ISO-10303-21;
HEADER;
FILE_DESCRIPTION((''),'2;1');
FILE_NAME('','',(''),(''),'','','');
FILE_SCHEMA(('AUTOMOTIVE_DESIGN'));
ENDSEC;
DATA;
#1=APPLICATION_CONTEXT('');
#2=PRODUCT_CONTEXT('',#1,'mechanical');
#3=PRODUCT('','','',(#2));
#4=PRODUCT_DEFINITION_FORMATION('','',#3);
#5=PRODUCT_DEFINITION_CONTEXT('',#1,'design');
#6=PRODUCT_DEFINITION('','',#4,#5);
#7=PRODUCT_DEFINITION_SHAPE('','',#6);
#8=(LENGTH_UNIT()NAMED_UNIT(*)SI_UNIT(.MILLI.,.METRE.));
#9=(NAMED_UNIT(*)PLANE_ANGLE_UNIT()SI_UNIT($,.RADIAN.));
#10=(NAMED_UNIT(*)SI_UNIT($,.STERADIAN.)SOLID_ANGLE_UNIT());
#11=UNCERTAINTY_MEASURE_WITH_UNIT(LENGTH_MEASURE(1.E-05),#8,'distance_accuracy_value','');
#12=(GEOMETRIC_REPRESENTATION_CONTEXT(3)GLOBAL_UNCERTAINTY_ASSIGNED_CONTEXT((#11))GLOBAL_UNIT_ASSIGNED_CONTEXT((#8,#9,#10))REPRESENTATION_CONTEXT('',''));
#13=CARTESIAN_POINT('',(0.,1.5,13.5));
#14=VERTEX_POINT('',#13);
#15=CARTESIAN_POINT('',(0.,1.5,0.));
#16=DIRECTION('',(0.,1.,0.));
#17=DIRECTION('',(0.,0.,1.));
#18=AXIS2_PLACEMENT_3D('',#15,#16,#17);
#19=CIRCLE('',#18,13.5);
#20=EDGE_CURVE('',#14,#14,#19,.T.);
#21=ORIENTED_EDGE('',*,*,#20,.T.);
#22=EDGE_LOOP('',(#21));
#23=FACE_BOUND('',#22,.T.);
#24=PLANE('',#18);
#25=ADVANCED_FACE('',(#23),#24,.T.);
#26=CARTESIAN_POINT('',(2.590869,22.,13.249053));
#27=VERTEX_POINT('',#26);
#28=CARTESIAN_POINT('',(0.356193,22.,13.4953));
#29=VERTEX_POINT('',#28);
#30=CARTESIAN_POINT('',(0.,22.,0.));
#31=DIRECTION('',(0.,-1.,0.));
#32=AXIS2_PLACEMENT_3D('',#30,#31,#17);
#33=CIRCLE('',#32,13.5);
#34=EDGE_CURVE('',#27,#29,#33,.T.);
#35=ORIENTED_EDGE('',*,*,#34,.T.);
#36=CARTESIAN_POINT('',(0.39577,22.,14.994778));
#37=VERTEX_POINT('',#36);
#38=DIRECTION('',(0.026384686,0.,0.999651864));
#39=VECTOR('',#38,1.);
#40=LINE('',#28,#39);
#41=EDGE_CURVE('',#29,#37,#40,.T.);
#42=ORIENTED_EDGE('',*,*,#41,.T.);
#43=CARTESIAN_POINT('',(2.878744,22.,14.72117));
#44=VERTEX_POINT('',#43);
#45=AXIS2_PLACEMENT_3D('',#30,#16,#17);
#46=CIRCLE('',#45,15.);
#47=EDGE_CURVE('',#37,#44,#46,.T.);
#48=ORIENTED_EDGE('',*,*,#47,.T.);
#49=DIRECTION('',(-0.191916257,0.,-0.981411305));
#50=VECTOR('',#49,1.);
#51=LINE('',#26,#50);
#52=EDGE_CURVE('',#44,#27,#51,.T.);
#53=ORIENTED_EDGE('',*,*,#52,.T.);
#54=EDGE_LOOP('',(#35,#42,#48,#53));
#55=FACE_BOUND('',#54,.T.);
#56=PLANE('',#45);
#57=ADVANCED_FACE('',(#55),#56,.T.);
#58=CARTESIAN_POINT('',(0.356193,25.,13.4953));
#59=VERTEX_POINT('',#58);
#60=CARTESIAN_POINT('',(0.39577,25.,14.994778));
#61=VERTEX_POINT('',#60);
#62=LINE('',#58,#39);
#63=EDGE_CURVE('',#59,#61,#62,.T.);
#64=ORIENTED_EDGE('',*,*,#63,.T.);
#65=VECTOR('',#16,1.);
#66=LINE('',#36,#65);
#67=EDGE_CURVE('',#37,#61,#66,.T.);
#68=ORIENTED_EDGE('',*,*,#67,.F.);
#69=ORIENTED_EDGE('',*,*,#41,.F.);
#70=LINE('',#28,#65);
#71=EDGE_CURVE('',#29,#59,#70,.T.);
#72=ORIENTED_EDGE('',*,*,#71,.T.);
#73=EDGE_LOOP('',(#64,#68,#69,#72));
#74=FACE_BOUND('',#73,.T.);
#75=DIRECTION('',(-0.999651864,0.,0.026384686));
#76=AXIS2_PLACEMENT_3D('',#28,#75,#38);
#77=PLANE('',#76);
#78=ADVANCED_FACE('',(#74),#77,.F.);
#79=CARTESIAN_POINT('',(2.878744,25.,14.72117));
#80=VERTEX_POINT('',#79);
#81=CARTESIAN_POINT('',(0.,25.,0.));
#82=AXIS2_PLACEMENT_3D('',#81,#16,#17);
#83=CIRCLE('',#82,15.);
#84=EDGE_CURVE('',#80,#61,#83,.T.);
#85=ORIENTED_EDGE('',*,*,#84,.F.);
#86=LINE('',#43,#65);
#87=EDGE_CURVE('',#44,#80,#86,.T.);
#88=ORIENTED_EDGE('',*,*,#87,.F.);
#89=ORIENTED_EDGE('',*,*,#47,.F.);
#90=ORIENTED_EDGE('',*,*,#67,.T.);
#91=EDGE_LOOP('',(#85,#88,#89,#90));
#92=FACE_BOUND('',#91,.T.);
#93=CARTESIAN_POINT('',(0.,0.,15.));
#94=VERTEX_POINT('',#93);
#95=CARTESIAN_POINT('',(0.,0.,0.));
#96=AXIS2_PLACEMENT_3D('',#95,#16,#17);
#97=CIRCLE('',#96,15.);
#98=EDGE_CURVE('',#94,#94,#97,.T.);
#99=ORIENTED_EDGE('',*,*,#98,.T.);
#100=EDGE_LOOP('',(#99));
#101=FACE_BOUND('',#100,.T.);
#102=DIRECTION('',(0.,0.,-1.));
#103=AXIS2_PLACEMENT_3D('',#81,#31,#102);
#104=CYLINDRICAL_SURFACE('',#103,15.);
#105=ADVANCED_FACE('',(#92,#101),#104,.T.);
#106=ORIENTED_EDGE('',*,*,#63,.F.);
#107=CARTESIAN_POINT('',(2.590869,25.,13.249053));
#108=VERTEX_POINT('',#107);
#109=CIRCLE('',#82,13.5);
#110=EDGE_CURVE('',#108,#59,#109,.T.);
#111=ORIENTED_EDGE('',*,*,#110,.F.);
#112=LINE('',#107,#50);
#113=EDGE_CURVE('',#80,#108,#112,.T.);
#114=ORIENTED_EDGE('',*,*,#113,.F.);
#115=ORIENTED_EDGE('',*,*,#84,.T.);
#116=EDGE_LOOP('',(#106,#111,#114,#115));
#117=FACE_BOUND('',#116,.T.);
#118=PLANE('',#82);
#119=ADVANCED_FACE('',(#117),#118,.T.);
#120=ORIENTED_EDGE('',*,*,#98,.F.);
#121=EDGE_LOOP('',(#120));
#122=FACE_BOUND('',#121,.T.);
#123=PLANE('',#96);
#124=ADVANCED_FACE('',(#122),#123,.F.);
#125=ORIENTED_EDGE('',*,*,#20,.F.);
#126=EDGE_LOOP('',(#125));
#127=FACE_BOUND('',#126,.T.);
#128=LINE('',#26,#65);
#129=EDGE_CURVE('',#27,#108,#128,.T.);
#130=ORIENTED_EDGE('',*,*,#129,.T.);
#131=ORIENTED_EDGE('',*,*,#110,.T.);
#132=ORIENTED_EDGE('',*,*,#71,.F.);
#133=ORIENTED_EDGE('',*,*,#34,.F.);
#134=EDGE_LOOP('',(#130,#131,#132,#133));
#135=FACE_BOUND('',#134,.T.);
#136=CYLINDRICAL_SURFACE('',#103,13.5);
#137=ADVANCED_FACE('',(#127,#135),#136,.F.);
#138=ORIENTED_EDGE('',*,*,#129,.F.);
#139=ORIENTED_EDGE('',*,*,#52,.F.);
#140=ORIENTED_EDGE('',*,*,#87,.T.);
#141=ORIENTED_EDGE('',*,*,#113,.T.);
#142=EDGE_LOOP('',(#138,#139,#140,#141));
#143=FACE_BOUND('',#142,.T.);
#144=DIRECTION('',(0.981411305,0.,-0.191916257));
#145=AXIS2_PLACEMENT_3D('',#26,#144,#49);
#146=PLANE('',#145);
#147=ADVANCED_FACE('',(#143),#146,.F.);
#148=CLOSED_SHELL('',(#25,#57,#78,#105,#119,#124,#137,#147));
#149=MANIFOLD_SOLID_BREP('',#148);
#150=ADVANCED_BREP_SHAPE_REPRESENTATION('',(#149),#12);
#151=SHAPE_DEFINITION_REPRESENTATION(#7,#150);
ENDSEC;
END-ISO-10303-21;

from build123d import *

# Parameters (mm, degrees)
SKETCH1_R           = 15
BOSS_EXTRUDE1_DEPTH = 25
SHELL2_T            = -1.5
CUT_EXTRUDE1_START  = -3
CUT_EXTRUDE1_DEPTH  = 3


with BuildPart() as part:
    # Sketch1 → Boss-Extrude1 (new body)
    with BuildSketch(Plane(origin=(0, 0, 0), x_dir=(1, 0, 0), z_dir=(0, 1, 0))):
        with Locations(Location((0, 0, 0), (0, 0, 270))):
            Circle(SKETCH1_R)
    extrude(amount=BOSS_EXTRUDE1_DEPTH)

    # Shell2
    shell2_openings = [part.faces().sort_by_distance(p)[0] for p in [
        (0, 25, 0),
    ]]
    offset(amount=SHELL2_T, openings=shell2_openings, kind=Kind.INTERSECTION)

    # Sketch2 → Cut-Extrude1 (cut)
    with BuildSketch(Plane(origin=(0, 25, 0), x_dir=(1, 0, 0), z_dir=(0, 1, 0)).offset(CUT_EXTRUDE1_START)):
        with BuildLine():
            Line((0.356193266, -13.495300158), (0.395770296, -14.994777953))
            ThreePointArc((0.395770296, -14.994777953), (1.642962601, -14.909750967), (2.878743851, -14.721169581))
            Line((2.878743851, -14.721169581), (2.590869465, -13.249052623))
            ThreePointArc((2.590869465, -13.249052623), (1.478666341, -13.41877587), (0.356193266, -13.495300158))
        make_face()
    extrude(amount=CUT_EXTRUDE1_DEPTH, mode=Mode.SUBTRACT)


solid = part.part
